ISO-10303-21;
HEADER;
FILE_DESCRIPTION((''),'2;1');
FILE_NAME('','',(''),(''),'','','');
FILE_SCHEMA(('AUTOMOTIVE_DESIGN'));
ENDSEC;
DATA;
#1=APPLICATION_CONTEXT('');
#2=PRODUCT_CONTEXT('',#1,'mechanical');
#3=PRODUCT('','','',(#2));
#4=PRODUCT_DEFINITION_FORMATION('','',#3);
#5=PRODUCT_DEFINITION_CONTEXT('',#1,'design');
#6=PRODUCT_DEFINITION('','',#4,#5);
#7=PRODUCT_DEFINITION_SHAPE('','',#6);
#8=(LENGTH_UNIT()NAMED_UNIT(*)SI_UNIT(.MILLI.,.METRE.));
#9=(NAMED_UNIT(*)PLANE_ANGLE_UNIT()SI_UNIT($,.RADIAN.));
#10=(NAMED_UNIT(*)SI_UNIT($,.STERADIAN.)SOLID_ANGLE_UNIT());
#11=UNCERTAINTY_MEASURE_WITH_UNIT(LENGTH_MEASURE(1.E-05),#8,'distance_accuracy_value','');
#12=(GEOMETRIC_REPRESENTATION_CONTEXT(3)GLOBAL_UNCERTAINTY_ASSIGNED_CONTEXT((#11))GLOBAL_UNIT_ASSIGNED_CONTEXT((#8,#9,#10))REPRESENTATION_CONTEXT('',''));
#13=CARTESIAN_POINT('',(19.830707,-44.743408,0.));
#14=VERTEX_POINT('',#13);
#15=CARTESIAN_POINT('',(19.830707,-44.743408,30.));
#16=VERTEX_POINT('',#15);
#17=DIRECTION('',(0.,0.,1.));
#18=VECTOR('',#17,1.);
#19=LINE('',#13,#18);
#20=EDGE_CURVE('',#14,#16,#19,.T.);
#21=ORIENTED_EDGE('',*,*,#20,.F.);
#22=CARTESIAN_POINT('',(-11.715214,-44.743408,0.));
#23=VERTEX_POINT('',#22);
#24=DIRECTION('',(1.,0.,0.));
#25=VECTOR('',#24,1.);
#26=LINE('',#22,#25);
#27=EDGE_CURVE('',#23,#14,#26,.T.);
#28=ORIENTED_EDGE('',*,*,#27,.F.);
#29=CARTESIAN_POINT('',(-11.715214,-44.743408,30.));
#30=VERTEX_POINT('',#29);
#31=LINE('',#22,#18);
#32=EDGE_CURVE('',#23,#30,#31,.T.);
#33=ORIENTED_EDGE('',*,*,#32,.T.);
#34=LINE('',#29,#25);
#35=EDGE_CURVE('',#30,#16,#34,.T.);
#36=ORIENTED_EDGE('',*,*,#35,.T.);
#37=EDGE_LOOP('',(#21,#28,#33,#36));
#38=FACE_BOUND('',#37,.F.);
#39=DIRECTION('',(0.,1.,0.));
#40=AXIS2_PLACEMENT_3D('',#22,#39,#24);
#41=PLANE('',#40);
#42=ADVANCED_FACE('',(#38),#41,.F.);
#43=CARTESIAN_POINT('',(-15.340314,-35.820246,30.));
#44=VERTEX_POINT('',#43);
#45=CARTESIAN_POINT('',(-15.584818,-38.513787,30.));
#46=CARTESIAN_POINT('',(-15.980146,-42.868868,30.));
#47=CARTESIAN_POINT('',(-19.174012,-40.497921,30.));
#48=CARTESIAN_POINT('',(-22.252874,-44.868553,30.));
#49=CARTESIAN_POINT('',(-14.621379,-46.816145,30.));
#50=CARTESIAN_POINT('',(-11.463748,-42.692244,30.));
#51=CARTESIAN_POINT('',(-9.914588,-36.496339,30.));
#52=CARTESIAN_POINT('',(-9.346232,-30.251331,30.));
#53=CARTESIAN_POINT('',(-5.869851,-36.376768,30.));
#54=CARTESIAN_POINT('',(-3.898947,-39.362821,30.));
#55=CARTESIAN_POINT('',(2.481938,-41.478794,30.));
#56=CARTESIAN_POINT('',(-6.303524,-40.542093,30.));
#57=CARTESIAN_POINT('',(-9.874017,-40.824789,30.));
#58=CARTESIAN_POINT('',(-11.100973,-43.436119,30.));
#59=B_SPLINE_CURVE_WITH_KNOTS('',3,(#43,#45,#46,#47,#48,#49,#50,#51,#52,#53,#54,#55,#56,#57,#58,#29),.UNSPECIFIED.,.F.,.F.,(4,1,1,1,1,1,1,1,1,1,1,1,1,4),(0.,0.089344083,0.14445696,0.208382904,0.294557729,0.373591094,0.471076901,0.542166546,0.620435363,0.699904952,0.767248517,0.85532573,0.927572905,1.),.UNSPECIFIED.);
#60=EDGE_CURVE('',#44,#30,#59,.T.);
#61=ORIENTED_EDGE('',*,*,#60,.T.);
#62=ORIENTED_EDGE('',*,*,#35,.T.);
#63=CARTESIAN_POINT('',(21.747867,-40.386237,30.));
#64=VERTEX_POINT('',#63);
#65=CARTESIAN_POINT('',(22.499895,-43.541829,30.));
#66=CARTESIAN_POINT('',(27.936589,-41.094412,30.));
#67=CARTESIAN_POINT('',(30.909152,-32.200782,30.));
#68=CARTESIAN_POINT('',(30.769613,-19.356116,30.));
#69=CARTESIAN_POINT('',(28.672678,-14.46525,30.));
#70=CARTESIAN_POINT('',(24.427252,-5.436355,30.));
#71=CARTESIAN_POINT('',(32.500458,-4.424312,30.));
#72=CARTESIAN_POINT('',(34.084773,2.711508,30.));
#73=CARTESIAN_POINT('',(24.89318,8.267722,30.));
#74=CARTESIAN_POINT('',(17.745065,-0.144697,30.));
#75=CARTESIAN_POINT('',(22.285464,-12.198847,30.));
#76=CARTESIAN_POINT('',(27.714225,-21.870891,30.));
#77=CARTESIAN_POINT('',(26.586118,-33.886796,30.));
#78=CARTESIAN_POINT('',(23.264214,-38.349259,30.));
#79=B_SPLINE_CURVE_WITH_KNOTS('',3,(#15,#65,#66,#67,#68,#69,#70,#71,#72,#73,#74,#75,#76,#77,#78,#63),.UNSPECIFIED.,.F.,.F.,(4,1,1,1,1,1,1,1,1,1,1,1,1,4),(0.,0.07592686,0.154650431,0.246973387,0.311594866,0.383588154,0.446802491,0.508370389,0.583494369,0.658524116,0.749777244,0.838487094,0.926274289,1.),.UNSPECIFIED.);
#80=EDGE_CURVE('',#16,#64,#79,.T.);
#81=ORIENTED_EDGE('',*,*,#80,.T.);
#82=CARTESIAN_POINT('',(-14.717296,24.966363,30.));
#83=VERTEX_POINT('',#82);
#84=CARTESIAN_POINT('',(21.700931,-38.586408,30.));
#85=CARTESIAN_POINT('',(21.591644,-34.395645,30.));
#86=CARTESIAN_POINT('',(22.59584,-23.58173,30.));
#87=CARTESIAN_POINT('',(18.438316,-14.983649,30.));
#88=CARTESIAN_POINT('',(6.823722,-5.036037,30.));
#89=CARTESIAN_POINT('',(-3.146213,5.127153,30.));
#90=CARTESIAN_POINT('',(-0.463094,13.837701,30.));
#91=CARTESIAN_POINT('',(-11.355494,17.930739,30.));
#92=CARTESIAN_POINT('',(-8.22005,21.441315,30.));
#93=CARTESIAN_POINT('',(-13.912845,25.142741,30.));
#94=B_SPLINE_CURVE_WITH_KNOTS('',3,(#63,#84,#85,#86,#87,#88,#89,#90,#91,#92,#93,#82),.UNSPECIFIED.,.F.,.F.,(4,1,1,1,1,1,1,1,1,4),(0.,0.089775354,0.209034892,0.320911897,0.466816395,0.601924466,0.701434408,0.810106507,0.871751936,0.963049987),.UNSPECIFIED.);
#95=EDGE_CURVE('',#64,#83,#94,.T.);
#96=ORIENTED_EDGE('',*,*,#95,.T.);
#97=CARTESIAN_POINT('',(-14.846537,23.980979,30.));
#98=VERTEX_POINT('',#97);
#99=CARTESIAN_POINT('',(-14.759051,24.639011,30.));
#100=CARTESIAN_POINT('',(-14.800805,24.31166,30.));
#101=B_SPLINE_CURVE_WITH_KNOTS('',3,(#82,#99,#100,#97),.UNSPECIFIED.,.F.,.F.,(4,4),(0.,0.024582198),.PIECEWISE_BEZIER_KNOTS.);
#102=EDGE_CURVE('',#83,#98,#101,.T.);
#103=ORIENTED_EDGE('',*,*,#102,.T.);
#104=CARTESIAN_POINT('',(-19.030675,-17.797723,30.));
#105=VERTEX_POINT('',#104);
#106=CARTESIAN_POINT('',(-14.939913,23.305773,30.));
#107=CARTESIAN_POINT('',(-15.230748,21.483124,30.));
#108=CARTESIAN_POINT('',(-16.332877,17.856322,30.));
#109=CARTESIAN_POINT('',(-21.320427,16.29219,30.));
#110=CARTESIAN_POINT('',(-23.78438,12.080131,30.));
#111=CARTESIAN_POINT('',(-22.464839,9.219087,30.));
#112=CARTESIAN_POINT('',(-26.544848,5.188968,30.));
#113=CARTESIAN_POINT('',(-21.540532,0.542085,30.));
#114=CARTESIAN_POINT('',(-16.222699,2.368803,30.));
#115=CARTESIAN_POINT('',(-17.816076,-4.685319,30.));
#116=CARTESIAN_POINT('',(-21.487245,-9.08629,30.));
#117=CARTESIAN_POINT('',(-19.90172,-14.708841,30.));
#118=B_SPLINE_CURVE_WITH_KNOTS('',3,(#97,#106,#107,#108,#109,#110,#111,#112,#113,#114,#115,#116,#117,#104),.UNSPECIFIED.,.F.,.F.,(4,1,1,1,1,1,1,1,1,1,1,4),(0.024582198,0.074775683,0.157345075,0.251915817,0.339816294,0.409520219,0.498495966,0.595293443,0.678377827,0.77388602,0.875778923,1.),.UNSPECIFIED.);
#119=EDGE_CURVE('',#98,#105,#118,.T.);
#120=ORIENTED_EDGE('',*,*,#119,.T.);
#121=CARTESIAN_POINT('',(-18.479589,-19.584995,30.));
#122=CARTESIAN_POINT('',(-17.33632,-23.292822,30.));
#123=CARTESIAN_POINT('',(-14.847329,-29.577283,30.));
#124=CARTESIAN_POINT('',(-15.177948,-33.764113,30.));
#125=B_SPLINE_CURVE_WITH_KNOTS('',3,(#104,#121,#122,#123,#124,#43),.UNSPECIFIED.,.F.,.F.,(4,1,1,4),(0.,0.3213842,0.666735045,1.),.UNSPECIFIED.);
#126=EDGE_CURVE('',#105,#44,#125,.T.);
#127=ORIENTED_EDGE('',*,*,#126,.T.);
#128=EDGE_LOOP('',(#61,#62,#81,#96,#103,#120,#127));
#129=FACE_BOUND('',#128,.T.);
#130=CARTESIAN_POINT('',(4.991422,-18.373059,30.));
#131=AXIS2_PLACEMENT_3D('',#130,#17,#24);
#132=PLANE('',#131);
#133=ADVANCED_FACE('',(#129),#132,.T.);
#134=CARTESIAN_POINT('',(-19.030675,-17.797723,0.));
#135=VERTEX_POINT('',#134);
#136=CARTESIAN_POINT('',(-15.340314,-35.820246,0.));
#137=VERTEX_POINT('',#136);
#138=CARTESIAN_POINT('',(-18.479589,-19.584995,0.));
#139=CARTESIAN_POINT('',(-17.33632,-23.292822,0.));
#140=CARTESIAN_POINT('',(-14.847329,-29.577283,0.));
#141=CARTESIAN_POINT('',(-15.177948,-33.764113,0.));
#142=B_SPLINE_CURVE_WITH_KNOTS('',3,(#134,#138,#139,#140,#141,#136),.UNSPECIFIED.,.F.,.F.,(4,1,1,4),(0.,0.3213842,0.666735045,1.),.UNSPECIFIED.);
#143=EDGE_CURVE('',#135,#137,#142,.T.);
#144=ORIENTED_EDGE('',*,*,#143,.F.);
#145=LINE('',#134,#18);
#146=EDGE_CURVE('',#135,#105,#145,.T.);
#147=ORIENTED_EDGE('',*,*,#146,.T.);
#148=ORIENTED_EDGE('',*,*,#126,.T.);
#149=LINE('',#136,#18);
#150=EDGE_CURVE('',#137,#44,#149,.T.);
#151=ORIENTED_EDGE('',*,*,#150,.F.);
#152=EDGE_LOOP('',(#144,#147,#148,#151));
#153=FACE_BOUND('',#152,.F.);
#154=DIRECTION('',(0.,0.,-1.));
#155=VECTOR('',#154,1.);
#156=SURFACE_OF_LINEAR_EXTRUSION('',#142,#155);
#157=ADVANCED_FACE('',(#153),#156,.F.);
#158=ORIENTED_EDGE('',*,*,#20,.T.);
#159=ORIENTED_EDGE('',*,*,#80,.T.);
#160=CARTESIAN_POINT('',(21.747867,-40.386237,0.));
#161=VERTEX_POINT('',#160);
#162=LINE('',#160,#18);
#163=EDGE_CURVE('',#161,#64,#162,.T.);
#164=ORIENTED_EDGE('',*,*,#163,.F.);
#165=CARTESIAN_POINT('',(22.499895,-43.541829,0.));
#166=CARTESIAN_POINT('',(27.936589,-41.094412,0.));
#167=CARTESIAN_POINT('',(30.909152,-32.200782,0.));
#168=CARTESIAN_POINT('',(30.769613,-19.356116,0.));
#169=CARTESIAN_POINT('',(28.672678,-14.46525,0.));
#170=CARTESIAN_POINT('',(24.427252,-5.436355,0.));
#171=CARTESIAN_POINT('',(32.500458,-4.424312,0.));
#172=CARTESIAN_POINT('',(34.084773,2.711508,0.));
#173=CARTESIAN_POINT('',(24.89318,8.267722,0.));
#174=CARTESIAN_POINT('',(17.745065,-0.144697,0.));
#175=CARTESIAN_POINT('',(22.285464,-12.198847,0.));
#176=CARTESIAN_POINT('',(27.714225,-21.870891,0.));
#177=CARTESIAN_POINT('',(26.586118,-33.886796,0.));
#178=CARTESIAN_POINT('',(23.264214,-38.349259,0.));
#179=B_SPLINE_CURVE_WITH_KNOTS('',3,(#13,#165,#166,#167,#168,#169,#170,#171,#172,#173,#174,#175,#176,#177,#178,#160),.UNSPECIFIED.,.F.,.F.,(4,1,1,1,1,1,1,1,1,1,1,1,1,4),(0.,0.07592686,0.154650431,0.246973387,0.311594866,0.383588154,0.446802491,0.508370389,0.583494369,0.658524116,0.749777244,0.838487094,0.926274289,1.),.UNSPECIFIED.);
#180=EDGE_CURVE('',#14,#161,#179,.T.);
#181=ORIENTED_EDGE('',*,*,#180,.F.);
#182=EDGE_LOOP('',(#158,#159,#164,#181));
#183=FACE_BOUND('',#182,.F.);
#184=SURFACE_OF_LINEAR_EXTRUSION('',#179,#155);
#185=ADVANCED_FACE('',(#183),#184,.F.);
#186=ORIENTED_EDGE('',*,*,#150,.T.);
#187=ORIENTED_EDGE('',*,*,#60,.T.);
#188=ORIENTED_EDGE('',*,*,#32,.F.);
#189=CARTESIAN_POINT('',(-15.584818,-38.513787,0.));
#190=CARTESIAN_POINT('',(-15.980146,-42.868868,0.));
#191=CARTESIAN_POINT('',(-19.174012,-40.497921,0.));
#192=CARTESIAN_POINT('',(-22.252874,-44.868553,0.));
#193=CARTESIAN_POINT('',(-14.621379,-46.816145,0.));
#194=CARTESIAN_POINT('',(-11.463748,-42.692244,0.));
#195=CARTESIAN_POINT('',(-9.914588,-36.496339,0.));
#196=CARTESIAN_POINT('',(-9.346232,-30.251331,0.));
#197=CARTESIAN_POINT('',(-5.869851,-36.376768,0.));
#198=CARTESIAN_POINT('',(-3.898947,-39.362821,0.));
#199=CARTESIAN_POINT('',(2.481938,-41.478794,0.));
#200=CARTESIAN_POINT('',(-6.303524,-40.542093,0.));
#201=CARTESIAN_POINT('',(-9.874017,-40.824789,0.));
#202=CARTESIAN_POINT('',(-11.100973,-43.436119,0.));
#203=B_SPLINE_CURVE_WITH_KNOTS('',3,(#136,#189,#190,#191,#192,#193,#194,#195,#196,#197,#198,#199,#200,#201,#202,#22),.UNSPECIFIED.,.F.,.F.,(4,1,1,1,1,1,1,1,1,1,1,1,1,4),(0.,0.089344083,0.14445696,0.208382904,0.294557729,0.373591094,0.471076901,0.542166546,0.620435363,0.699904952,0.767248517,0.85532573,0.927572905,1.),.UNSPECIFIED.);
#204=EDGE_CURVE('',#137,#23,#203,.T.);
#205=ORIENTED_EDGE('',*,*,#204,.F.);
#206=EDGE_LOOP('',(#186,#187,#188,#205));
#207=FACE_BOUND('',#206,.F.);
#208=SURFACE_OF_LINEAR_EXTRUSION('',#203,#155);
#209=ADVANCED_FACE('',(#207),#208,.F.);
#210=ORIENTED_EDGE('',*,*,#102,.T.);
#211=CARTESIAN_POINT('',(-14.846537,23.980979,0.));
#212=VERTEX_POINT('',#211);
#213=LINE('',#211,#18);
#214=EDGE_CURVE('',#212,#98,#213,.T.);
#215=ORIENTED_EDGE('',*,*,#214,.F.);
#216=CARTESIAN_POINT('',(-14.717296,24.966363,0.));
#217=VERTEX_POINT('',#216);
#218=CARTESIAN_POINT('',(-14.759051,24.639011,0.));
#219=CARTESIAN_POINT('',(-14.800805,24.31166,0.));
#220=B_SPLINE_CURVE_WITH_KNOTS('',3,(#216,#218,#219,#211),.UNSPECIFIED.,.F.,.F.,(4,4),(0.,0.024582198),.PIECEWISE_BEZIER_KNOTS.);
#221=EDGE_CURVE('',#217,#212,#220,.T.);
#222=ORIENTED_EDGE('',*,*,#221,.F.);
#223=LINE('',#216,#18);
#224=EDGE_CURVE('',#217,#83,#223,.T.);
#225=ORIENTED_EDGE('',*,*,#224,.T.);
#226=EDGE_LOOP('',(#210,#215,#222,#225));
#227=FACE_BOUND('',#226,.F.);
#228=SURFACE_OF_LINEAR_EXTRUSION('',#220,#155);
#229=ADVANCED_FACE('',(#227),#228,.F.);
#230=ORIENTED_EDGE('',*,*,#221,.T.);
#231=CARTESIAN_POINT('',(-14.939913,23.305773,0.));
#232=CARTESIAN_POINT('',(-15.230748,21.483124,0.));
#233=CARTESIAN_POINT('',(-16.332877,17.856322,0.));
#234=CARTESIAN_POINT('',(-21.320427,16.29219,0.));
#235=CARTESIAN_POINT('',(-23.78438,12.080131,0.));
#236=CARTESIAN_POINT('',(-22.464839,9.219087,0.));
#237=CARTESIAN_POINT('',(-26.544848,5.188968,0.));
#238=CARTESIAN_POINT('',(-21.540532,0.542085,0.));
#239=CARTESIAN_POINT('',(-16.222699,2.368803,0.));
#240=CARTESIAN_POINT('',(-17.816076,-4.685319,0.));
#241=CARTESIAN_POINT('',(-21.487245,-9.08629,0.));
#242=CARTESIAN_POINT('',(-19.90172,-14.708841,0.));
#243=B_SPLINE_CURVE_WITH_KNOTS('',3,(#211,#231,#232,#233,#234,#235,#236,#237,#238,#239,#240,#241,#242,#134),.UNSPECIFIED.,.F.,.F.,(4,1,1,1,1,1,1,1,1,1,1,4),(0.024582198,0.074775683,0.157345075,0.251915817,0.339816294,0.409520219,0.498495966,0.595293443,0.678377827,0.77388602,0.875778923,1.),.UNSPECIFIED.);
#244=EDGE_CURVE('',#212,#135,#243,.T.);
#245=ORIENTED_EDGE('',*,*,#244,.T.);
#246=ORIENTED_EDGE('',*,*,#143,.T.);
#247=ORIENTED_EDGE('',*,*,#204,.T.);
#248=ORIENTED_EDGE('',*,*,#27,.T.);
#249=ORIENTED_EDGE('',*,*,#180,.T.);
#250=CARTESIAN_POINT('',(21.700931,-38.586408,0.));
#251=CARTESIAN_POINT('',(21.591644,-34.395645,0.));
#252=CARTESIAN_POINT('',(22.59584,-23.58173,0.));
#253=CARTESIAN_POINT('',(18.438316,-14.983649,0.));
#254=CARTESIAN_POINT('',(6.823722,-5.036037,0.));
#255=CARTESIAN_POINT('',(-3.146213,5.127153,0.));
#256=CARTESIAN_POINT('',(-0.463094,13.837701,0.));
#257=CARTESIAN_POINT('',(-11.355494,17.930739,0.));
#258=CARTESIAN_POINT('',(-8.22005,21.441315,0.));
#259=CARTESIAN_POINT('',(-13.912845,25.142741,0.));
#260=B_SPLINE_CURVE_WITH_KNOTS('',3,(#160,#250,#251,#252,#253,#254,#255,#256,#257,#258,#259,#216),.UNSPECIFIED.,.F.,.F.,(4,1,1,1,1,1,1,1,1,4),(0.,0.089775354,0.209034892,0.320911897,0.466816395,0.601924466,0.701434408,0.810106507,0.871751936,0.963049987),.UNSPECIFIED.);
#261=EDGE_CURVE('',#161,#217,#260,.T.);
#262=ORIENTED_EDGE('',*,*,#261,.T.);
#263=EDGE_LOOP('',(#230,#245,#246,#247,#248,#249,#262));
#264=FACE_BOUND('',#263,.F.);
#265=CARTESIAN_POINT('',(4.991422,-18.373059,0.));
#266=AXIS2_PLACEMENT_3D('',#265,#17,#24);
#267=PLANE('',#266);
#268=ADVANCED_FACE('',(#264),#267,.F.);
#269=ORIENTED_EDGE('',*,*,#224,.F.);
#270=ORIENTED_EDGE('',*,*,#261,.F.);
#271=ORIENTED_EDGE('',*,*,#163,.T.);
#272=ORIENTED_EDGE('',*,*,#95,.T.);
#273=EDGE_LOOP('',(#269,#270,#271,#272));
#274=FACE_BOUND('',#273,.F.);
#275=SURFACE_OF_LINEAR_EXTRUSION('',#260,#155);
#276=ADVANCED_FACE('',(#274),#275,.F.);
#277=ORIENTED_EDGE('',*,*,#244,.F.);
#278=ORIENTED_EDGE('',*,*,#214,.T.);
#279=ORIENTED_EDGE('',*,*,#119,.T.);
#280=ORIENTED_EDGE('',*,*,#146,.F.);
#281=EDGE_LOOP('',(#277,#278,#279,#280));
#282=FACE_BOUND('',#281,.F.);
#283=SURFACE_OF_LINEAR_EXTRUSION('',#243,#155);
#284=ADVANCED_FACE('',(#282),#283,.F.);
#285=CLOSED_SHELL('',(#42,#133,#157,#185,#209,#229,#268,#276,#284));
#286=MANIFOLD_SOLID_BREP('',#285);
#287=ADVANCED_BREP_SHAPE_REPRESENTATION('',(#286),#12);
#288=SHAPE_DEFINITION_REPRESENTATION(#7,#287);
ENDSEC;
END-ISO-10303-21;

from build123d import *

# Parameters (mm, degrees)
F1_DEPTH = 30


with BuildPart() as f1:
    # F0 (on Top) → F1 (new body)
    with BuildSketch(Plane.XY):
        with BuildLine():
            add(Edge.make_bspline(
                [(21.7478666455, -40.3862372041), (21.7009305862, -38.5864075636), (21.5916436416, -34.3956449561), (22.595840214, -23.5817295595), (18.4383155676, -14.9836489514), (6.8237216377, -5.0360369873), (-3.1462133502, 5.1271532813), (-0.4630939945, 13.8377006921), (-11.355494281, 17.930739432), (-8.2200497922, 21.4413146651), (-13.9128452546, 25.1427405196), (-14.7172957659, 24.9663628638)],
                knots=[0, 0, 0, 0, 0.0897753536, 0.2090348922, 0.3209118971, 0.4668163954, 0.6019244659, 0.7014344081, 0.8101065066, 0.871751936, 0.9630499866, 0.9630499866, 0.9630499866, 0.9630499866], degree=3))
            add(Edge.make_bspline(
                [(-14.7172957659, 24.9663628638), (-14.7590505814, 24.6390112286), (-14.800805397, 24.3116595935), (-14.846536604, 23.9809785583)],
                knots=[0, 0, 0, 0, 0.024582198, 0.024582198, 0.024582198, 0.024582198], degree=3))
            add(Edge.make_bspline(
                [(-14.846536604, 23.9809785583), (-14.9399134709, 23.3057731334), (-15.230747562, 21.483124423), (-16.3328772103, 17.8563216725), (-21.3204266123, 16.2921902269), (-23.784380167, 12.0801306421), (-22.4648391005, 9.2190865571), (-26.5448483854, 5.1889684995), (-21.5405321162, 0.5420852804), (-16.2226993674, 2.3688027339), (-17.8160764544, -4.685319483), (-21.4872445024, -9.0862896622), (-19.9017204984, -14.7088413338), (-19.030675292, -17.7977234125)],
                knots=[0.024582198, 0.024582198, 0.024582198, 0.024582198, 0.0747756826, 0.1573450751, 0.2519158168, 0.3398162943, 0.4095202187, 0.4984959662, 0.5952934425, 0.6783778274, 0.7738860198, 0.8757789235, 1, 1, 1, 1], degree=3))
            add(Edge.make_bspline(
                [(-19.030675292, -17.7977234125), (-18.479588991, -19.5849953913), (-17.3363201272, -23.2928219164), (-14.8473286347, -29.5772825887), (-15.1779484471, -33.764113313), (-15.3403142467, -35.8202457428)],
                knots=[0, 0, 0, 0, 0.3213842005, 0.666735045, 1, 1, 1, 1], degree=3))
            add(Edge.make_bspline(
                [(-15.3403142467, -35.8202457428), (-15.5848176523, -38.5137867378), (-15.9801456641, -42.8688680235), (-19.1740122444, -40.497920838), (-22.2528744848, -44.868552968), (-14.6213788956, -46.8161445428), (-11.4637484018, -42.6922442226), (-9.9145875096, -36.4963394947), (-9.3462315565, -30.2513312495), (-5.8698507976, -36.3767677474), (-3.8989470133, -39.3628207319), (2.4819384984, -41.4787937485), (-6.3035239619, -40.5420933693), (-9.8740167598, -40.8247890025), (-11.1009728095, -43.4361188448), (-11.7152137682, -44.7434075177)],
                knots=[0, 0, 0, 0, 0.0893440829, 0.1444569599, 0.2083829042, 0.2945577288, 0.3735910935, 0.471076901, 0.5421665458, 0.6204353633, 0.6999049521, 0.7672485165, 0.8553257301, 0.9275729051, 1, 1, 1, 1], degree=3))
            Line((-11.7152137682, -44.7434075177), (19.8307074606, -44.7434075177))
            add(Edge.make_bspline(
                [(19.8307074606, -44.7434075177), (22.4998953249, -43.5418288926), (27.9365886604, -41.0944123617), (30.9091519979, -32.2007815138), (30.7696130228, -19.3561155329), (28.6726780034, -14.4652502803), (24.4272523427, -5.4363551376), (32.5004576124, -4.4243120798), (34.0847734973, 2.7115079701), (24.8931802473, 8.2677217725), (17.745065108, -0.1446969555), (22.2854639249, -12.1988469447), (27.7142247246, -21.8708907787), (26.5861180485, -33.8867959831), (23.2642143059, -38.3492590339), (21.7478666455, -40.3862372041)],
                knots=[0, 0, 0, 0, 0.0759268602, 0.1546504315, 0.2469733866, 0.3115948662, 0.3835881543, 0.4468024914, 0.508370389, 0.5834943689, 0.6585241157, 0.749777244, 0.8384870942, 0.9262742885, 1, 1, 1, 1], degree=3))
        make_face()
    extrude(amount=F1_DEPTH)


solid = f1.part
